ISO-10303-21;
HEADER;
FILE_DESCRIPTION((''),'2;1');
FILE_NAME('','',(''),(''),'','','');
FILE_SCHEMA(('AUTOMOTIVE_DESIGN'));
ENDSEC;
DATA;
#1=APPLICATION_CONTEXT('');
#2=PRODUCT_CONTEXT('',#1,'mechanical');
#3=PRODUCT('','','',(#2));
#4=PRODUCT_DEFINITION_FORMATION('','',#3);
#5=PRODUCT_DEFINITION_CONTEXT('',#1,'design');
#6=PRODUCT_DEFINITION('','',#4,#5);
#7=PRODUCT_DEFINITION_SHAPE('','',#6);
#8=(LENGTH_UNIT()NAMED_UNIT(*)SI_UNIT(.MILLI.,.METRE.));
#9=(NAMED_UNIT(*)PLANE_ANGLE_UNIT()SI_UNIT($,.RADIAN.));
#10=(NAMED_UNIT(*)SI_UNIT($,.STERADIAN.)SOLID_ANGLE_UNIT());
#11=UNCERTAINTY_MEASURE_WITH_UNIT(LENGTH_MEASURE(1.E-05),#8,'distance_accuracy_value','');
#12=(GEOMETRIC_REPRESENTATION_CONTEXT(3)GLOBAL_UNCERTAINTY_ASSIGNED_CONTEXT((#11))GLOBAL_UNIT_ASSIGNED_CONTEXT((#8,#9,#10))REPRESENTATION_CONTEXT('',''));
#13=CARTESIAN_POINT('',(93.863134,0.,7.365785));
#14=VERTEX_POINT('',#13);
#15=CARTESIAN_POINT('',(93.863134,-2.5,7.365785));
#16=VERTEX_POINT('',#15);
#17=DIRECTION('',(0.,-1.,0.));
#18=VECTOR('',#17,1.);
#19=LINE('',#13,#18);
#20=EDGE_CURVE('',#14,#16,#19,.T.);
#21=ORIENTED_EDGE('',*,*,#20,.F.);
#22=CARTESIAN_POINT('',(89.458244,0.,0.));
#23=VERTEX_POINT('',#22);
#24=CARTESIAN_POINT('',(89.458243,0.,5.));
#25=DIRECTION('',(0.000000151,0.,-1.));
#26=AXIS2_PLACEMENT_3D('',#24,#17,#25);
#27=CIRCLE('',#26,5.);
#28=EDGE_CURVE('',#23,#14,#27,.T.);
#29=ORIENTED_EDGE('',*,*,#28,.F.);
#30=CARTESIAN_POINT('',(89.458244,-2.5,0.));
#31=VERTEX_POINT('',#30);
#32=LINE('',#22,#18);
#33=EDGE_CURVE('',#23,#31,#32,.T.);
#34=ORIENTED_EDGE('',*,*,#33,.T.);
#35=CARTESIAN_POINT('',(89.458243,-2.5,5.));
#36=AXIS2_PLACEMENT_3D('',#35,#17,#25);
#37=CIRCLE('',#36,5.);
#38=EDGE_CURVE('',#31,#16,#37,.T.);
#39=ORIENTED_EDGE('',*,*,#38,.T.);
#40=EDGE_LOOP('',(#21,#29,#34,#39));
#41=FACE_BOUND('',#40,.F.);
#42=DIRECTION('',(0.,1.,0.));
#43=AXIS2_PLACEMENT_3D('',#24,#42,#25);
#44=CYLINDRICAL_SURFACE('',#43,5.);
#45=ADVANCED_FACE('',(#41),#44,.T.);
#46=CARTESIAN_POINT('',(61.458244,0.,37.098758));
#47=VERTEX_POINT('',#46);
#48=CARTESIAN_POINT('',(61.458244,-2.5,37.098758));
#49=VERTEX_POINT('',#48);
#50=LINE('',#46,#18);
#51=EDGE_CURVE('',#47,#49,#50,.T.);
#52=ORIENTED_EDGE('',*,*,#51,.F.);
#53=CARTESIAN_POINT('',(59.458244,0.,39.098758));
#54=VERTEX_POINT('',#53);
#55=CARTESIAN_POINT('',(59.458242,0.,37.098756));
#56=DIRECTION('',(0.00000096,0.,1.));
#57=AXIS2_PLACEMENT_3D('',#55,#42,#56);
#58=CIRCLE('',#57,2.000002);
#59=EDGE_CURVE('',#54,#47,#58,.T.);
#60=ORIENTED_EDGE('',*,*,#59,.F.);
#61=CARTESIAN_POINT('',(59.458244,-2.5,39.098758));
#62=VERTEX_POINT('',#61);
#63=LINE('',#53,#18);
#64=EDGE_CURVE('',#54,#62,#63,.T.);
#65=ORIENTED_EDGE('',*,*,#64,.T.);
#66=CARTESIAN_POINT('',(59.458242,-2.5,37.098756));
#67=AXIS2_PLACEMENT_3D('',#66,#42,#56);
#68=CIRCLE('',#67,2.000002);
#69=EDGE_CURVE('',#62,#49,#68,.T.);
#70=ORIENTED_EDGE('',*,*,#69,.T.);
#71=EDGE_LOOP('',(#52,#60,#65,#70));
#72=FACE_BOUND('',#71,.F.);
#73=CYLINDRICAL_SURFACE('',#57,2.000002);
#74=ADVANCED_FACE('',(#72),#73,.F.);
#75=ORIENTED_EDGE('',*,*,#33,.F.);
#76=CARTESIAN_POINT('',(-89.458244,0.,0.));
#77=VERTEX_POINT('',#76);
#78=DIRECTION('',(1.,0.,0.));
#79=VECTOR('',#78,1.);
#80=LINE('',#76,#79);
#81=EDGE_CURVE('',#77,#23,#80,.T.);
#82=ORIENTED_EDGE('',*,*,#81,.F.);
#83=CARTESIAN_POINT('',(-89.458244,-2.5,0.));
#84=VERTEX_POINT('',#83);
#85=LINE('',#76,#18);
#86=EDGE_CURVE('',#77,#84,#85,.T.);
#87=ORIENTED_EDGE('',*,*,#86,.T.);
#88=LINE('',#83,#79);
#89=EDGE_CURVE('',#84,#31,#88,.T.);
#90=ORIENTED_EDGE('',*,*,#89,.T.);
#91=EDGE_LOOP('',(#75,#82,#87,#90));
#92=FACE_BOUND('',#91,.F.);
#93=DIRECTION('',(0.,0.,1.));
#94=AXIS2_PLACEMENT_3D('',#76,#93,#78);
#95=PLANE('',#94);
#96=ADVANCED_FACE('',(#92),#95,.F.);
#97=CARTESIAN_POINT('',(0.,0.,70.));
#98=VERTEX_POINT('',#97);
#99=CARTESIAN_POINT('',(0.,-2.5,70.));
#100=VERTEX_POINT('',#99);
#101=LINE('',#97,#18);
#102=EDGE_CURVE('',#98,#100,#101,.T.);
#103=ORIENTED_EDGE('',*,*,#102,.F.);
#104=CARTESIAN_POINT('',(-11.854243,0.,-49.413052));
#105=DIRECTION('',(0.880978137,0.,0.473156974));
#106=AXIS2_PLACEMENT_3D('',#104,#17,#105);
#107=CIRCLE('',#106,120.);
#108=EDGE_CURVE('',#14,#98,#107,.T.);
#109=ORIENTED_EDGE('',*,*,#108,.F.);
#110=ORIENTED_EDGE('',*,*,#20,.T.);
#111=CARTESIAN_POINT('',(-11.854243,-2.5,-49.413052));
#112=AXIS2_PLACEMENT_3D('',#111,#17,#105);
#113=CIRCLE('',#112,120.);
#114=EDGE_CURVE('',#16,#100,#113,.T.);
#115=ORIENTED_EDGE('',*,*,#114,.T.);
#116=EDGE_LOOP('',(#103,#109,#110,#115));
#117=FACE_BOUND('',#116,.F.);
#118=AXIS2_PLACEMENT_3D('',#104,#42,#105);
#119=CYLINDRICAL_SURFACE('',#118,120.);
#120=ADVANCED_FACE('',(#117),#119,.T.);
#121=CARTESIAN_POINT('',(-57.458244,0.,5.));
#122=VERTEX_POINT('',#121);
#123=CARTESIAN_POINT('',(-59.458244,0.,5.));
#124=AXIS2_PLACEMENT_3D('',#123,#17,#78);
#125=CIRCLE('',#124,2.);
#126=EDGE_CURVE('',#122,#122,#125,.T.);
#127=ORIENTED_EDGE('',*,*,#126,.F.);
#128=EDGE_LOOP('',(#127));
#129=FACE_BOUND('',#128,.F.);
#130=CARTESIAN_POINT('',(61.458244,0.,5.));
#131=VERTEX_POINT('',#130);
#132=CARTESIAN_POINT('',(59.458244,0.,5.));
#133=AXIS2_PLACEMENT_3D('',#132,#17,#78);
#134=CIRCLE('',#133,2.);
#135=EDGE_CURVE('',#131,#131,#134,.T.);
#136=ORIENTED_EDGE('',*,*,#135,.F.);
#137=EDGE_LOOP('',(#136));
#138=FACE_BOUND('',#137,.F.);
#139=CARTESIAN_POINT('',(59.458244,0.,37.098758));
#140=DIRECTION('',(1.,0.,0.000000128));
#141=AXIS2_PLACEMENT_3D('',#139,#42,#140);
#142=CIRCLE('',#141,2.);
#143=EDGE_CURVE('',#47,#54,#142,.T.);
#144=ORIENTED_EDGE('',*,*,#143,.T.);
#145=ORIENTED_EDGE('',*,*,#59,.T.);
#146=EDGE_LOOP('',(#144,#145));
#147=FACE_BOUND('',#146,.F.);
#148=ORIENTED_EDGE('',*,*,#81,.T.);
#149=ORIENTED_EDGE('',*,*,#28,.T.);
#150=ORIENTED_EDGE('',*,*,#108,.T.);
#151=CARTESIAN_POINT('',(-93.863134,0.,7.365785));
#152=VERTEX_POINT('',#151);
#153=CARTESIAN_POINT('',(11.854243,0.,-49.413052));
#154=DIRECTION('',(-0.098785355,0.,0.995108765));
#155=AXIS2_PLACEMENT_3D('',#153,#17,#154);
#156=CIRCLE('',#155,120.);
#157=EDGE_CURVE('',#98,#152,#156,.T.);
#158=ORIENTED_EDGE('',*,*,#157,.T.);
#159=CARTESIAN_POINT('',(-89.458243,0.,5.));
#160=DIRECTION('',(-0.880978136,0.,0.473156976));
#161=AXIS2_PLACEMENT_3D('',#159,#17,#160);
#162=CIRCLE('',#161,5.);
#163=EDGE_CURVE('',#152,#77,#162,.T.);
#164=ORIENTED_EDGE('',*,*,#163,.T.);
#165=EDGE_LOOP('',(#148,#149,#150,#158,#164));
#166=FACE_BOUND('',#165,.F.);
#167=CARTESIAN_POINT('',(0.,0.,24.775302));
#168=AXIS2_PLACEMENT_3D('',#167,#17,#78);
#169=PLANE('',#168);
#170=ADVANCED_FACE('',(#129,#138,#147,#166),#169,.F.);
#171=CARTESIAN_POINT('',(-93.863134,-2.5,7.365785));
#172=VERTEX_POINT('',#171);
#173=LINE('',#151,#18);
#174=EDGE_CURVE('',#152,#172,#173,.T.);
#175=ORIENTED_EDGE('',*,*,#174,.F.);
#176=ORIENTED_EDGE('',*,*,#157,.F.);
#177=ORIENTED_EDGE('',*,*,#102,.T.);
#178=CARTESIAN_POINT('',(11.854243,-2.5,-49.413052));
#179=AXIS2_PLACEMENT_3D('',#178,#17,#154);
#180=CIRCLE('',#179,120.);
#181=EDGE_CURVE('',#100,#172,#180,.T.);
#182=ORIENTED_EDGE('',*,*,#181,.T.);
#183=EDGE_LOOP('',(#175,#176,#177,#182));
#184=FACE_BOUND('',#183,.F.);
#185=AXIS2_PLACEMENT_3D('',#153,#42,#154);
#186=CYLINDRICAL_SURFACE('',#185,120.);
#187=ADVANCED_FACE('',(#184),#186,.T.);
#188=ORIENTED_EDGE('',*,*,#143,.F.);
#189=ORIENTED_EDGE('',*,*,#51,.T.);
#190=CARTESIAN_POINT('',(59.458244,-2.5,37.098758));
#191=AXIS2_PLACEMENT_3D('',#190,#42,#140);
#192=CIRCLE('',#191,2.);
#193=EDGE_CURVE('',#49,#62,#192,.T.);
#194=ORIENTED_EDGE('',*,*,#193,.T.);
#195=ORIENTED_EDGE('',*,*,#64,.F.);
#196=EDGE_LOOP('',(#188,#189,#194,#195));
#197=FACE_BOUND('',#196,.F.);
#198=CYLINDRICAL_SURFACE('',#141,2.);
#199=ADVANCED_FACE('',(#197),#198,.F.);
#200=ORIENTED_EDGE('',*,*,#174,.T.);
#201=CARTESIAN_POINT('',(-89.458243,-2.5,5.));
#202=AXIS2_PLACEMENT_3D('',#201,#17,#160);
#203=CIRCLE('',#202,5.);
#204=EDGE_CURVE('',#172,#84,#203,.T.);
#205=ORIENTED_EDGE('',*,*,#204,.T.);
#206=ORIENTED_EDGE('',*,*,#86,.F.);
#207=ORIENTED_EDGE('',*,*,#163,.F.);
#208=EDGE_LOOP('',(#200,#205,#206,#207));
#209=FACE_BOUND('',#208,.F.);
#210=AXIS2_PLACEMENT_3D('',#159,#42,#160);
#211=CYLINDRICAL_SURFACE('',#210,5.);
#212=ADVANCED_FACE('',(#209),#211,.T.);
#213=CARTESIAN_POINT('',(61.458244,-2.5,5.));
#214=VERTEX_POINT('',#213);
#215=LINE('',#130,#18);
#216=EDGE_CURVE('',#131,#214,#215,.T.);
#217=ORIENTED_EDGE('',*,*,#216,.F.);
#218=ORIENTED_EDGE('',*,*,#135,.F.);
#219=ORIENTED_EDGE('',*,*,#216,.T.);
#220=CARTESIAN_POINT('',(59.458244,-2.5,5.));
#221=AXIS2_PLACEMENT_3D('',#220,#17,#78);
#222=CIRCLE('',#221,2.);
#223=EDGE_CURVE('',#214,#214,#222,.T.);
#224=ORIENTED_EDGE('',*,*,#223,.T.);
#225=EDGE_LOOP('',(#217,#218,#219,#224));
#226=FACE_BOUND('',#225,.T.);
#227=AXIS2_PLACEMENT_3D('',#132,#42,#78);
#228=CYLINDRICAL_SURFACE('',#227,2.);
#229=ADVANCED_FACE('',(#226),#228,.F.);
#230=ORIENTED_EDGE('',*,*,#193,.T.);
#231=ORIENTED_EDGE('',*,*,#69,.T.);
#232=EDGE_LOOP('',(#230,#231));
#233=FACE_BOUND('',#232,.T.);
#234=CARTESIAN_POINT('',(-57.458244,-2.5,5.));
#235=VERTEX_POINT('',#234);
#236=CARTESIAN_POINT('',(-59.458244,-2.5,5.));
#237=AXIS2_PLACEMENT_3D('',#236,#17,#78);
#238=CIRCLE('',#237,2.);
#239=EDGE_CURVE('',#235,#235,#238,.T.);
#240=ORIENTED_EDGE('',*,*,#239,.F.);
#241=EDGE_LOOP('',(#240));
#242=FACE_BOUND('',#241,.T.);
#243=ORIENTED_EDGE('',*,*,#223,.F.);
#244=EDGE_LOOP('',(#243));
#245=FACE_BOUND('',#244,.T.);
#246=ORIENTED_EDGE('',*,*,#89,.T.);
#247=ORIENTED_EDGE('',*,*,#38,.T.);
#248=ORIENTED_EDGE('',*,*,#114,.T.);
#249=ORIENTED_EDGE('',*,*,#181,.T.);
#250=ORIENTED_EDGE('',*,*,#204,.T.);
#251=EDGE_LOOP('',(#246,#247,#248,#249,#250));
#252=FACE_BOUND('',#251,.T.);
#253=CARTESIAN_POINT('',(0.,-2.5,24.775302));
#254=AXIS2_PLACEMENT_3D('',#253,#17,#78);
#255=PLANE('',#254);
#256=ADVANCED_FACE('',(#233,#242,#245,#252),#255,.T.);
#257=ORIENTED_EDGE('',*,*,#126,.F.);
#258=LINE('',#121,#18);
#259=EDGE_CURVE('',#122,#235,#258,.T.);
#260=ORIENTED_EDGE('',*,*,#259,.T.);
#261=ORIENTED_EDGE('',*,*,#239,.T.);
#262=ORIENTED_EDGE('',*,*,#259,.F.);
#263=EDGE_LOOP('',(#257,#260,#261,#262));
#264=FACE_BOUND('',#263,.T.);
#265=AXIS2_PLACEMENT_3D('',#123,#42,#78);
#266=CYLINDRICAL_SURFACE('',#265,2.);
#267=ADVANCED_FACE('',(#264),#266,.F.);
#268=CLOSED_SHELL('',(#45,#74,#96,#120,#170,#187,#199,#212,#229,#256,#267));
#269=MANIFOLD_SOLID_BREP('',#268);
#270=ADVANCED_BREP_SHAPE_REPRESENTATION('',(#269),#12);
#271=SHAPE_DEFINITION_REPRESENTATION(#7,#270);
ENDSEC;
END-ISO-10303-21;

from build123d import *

# Parameters (mm, degrees)
F0_R     = 2
F1_DEPTH = 2.5


with BuildPart() as f1:
    # F0 (on Front) → F1 (new body)
    with BuildSketch(Plane.XZ):
        with BuildLine():
            Line((-89.458244, 0), (0, 0))
            Line((0, 0), (89.458244, 0))
            ThreePointArc((89.458244, 0), (93.749451, 2.43377), (93.863134, 7.365785))
            ThreePointArc((93.863134, 7.365785), (54.753059, 50.404118), (0, 70))
            ThreePointArc((0, 70), (-54.753059, 50.404118), (-93.863134, 7.365785))
            ThreePointArc((-93.863134, 7.365785), (-93.749451, 2.43377), (-89.458244, 0))
        make_face()
        with Locations((-59.458244, 5)):
            Circle(F0_R, mode=Mode.SUBTRACT)
        with Locations((59.458244, 5)):
            Circle(F0_R, mode=Mode.SUBTRACT)
        with BuildLine():
            ThreePointArc((59.458244, 39.098758), (60.872457, 38.512971), (61.458244, 37.098758))
            ThreePointArc((61.458244, 37.098758), (58.04403, 35.684544), (59.458244, 39.098758))
        make_face(mode=Mode.SUBTRACT)
    extrude(amount=F1_DEPTH)


solid = f1.part
